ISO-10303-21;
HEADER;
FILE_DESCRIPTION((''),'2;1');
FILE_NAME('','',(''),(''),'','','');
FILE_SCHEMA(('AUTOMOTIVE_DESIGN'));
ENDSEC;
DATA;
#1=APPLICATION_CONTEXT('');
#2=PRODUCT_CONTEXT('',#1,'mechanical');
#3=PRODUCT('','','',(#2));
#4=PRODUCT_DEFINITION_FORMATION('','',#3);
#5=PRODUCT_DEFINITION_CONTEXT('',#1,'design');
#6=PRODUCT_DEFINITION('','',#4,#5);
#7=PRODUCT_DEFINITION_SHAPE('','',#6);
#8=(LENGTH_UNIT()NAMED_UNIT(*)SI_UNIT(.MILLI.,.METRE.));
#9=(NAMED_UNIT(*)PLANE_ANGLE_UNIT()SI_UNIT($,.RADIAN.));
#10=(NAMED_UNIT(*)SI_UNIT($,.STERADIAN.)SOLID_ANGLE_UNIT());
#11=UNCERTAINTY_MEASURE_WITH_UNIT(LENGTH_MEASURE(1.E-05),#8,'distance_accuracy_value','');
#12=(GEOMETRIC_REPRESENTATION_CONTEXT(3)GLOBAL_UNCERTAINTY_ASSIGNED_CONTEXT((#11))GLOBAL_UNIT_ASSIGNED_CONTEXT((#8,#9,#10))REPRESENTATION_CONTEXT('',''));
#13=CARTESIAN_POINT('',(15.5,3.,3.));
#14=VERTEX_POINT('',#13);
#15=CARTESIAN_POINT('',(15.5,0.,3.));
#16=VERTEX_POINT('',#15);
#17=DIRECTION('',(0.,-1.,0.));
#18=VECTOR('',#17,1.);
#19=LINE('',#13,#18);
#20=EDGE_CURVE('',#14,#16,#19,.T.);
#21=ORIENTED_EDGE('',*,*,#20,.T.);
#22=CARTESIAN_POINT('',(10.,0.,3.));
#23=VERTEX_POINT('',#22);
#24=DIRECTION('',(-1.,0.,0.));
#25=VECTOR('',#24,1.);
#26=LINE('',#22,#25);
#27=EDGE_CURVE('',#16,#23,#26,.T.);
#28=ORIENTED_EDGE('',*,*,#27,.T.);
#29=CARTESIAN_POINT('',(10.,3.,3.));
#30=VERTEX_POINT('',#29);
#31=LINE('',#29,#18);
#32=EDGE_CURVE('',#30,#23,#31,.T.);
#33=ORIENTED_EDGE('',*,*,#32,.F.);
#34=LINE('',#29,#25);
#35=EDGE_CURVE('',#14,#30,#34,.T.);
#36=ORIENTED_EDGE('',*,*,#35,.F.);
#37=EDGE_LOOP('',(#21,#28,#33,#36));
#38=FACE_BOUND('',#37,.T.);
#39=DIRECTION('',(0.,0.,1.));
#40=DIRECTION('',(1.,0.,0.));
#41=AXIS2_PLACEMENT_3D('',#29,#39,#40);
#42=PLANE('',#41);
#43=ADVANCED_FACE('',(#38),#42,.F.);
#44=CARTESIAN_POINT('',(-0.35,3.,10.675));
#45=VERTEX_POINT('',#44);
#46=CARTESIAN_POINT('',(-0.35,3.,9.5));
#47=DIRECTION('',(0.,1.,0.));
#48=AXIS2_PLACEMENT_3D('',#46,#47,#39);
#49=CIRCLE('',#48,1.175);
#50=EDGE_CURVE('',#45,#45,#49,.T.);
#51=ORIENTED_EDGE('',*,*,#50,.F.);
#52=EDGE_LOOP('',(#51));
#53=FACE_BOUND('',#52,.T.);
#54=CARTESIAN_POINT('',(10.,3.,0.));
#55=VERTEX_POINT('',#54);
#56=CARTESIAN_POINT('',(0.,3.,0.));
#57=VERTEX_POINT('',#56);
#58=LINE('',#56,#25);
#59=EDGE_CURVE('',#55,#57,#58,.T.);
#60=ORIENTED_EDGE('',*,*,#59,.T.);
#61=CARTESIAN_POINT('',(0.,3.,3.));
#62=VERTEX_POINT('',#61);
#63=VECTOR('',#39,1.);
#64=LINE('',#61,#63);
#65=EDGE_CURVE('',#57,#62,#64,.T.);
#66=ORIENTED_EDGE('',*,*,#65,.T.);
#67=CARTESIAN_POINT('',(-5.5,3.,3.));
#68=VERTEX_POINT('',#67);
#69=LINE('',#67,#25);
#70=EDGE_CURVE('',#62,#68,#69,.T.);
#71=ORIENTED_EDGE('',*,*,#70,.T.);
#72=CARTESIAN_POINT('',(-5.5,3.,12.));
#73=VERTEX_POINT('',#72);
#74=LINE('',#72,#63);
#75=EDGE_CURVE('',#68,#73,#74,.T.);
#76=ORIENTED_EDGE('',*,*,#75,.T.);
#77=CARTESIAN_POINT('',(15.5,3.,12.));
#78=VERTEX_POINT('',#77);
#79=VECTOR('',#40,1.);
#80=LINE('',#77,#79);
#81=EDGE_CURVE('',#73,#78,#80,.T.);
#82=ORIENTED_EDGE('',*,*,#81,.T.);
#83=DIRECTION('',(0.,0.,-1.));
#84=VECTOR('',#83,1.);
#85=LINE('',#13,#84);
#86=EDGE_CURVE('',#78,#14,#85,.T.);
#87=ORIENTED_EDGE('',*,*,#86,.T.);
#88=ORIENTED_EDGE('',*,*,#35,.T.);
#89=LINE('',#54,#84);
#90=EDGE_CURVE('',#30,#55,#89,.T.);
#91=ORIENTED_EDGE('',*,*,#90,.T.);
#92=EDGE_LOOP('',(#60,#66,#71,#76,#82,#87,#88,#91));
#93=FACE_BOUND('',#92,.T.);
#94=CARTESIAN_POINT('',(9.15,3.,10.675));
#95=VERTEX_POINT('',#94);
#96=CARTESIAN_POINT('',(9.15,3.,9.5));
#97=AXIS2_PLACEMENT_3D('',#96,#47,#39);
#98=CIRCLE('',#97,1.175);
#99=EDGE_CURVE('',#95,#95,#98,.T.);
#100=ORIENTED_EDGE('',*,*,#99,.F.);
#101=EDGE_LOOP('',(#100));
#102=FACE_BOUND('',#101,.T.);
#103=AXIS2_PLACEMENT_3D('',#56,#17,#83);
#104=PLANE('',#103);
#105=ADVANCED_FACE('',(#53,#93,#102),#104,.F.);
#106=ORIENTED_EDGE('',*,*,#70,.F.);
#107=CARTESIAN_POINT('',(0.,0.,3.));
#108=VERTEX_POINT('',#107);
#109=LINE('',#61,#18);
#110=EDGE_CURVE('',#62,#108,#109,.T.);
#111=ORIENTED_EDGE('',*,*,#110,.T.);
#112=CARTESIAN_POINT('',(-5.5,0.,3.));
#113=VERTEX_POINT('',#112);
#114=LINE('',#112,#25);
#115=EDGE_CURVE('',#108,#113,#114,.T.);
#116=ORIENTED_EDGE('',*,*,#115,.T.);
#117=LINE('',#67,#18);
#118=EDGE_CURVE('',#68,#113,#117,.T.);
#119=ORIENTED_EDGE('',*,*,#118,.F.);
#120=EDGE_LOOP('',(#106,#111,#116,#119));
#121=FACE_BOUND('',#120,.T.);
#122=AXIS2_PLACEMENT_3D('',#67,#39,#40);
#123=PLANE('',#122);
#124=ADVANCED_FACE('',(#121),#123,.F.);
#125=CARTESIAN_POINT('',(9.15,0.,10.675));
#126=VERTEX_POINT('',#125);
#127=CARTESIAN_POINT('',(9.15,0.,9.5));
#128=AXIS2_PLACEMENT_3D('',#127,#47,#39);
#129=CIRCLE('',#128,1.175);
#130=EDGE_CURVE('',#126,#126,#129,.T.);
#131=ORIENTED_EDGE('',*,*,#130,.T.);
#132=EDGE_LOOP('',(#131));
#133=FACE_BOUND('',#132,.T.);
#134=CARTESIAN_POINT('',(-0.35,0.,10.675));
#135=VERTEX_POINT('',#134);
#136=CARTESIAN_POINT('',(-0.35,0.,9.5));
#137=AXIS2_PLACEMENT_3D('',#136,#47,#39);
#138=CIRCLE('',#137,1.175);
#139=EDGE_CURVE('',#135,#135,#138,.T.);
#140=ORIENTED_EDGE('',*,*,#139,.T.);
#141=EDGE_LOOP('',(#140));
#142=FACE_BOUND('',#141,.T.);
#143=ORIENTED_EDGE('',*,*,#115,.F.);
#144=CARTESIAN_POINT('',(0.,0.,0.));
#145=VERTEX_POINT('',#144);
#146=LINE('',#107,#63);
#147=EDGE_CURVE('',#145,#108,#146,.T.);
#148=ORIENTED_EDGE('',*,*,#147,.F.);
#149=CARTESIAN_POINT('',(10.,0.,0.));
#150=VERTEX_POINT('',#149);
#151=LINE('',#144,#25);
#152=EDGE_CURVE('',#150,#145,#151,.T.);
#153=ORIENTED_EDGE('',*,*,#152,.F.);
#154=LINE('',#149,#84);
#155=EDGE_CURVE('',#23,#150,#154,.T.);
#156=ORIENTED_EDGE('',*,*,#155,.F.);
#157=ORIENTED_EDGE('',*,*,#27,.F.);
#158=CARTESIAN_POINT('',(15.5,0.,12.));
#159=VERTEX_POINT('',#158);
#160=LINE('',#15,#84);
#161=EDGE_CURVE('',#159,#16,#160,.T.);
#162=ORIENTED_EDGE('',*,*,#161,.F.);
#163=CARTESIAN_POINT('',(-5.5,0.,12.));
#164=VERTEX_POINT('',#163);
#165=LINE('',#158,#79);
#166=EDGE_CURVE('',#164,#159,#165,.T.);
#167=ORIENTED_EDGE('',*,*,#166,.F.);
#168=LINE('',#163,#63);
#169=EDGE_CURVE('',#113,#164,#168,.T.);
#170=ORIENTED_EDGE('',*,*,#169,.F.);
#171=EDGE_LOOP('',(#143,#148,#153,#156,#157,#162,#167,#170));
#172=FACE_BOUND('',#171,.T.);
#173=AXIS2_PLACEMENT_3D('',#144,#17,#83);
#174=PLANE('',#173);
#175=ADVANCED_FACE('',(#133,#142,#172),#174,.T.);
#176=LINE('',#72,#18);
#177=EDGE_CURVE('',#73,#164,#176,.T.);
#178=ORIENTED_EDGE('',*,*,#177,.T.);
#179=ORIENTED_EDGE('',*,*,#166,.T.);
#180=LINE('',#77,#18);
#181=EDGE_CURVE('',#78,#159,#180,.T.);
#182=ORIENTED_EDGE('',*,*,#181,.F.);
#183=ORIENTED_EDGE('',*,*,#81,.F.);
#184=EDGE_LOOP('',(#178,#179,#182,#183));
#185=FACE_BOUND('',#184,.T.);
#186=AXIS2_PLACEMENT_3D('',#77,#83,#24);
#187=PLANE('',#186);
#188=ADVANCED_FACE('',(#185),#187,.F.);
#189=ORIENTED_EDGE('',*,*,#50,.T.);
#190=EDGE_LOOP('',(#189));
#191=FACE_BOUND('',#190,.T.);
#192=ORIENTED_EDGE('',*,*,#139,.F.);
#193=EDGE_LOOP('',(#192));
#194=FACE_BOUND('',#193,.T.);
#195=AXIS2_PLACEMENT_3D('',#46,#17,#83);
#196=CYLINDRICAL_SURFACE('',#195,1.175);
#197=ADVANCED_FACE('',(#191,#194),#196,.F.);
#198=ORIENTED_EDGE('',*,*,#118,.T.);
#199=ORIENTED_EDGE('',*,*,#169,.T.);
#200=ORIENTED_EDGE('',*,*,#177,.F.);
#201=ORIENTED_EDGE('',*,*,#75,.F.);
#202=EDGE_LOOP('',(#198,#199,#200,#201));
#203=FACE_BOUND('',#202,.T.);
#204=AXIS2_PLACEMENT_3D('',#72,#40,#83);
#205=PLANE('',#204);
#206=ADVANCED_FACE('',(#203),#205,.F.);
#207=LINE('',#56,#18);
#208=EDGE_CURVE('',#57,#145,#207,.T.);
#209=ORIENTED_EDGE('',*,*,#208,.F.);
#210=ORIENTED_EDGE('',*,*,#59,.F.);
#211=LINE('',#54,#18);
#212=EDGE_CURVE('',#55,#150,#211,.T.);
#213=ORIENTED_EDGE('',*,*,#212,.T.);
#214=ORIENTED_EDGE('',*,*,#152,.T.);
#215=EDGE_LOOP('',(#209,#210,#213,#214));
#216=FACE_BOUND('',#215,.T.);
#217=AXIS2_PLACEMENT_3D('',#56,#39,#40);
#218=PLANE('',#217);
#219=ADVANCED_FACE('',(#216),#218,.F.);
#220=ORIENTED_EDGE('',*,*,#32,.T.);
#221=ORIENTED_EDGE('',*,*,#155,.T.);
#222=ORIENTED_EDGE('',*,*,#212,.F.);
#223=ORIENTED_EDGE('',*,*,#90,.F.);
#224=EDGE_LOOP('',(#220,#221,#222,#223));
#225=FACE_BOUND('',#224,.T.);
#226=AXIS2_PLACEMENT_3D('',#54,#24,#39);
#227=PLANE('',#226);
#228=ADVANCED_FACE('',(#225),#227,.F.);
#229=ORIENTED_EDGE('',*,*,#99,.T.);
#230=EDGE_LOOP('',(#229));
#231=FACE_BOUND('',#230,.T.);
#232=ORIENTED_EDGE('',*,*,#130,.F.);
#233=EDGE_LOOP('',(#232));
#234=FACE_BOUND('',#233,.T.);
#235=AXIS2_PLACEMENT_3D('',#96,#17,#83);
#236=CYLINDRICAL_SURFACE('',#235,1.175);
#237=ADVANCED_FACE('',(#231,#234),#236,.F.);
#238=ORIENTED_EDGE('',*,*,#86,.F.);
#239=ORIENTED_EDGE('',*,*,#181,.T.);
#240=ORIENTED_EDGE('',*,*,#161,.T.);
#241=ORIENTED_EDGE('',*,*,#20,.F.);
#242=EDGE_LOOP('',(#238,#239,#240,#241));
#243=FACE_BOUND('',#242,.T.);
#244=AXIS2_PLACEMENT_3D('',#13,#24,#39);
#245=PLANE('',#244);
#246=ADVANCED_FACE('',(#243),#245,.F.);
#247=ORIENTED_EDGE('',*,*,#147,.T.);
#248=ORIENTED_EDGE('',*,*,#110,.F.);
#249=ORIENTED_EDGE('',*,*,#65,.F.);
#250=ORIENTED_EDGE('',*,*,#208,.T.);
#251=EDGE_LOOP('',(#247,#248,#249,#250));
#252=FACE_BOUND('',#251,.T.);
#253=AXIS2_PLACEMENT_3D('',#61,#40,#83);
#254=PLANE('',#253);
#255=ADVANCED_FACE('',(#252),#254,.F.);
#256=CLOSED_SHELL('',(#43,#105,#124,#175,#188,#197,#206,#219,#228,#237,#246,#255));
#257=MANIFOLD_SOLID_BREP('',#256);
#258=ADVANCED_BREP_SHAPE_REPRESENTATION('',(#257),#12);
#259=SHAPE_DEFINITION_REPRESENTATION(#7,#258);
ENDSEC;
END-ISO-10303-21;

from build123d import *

# Parameters (mm, degrees)
CROQUIS1_R              = 1.175
SALIENTE_EXTRUIR1_DEPTH = 3


with BuildPart() as part:
    # Croquis1 → Saliente-Extruir1 (new body)
    with BuildSketch(Plane(origin=(0, 0, 0), x_dir=(1, 0, 0), z_dir=(0, 1, 0))):
        Polygon((0, 0), (10, 0), (10, -3), (15.5, -3), (15.5, -12), (-5.5, -12), (-5.5, -3), (0, -3), align=None)
        with Locations((-0.35, -9.5)):
            Circle(CROQUIS1_R, mode=Mode.SUBTRACT)
        with Locations((9.15, -9.5)):
            Circle(CROQUIS1_R, mode=Mode.SUBTRACT)
    extrude(amount=SALIENTE_EXTRUIR1_DEPTH)


solid = part.part
